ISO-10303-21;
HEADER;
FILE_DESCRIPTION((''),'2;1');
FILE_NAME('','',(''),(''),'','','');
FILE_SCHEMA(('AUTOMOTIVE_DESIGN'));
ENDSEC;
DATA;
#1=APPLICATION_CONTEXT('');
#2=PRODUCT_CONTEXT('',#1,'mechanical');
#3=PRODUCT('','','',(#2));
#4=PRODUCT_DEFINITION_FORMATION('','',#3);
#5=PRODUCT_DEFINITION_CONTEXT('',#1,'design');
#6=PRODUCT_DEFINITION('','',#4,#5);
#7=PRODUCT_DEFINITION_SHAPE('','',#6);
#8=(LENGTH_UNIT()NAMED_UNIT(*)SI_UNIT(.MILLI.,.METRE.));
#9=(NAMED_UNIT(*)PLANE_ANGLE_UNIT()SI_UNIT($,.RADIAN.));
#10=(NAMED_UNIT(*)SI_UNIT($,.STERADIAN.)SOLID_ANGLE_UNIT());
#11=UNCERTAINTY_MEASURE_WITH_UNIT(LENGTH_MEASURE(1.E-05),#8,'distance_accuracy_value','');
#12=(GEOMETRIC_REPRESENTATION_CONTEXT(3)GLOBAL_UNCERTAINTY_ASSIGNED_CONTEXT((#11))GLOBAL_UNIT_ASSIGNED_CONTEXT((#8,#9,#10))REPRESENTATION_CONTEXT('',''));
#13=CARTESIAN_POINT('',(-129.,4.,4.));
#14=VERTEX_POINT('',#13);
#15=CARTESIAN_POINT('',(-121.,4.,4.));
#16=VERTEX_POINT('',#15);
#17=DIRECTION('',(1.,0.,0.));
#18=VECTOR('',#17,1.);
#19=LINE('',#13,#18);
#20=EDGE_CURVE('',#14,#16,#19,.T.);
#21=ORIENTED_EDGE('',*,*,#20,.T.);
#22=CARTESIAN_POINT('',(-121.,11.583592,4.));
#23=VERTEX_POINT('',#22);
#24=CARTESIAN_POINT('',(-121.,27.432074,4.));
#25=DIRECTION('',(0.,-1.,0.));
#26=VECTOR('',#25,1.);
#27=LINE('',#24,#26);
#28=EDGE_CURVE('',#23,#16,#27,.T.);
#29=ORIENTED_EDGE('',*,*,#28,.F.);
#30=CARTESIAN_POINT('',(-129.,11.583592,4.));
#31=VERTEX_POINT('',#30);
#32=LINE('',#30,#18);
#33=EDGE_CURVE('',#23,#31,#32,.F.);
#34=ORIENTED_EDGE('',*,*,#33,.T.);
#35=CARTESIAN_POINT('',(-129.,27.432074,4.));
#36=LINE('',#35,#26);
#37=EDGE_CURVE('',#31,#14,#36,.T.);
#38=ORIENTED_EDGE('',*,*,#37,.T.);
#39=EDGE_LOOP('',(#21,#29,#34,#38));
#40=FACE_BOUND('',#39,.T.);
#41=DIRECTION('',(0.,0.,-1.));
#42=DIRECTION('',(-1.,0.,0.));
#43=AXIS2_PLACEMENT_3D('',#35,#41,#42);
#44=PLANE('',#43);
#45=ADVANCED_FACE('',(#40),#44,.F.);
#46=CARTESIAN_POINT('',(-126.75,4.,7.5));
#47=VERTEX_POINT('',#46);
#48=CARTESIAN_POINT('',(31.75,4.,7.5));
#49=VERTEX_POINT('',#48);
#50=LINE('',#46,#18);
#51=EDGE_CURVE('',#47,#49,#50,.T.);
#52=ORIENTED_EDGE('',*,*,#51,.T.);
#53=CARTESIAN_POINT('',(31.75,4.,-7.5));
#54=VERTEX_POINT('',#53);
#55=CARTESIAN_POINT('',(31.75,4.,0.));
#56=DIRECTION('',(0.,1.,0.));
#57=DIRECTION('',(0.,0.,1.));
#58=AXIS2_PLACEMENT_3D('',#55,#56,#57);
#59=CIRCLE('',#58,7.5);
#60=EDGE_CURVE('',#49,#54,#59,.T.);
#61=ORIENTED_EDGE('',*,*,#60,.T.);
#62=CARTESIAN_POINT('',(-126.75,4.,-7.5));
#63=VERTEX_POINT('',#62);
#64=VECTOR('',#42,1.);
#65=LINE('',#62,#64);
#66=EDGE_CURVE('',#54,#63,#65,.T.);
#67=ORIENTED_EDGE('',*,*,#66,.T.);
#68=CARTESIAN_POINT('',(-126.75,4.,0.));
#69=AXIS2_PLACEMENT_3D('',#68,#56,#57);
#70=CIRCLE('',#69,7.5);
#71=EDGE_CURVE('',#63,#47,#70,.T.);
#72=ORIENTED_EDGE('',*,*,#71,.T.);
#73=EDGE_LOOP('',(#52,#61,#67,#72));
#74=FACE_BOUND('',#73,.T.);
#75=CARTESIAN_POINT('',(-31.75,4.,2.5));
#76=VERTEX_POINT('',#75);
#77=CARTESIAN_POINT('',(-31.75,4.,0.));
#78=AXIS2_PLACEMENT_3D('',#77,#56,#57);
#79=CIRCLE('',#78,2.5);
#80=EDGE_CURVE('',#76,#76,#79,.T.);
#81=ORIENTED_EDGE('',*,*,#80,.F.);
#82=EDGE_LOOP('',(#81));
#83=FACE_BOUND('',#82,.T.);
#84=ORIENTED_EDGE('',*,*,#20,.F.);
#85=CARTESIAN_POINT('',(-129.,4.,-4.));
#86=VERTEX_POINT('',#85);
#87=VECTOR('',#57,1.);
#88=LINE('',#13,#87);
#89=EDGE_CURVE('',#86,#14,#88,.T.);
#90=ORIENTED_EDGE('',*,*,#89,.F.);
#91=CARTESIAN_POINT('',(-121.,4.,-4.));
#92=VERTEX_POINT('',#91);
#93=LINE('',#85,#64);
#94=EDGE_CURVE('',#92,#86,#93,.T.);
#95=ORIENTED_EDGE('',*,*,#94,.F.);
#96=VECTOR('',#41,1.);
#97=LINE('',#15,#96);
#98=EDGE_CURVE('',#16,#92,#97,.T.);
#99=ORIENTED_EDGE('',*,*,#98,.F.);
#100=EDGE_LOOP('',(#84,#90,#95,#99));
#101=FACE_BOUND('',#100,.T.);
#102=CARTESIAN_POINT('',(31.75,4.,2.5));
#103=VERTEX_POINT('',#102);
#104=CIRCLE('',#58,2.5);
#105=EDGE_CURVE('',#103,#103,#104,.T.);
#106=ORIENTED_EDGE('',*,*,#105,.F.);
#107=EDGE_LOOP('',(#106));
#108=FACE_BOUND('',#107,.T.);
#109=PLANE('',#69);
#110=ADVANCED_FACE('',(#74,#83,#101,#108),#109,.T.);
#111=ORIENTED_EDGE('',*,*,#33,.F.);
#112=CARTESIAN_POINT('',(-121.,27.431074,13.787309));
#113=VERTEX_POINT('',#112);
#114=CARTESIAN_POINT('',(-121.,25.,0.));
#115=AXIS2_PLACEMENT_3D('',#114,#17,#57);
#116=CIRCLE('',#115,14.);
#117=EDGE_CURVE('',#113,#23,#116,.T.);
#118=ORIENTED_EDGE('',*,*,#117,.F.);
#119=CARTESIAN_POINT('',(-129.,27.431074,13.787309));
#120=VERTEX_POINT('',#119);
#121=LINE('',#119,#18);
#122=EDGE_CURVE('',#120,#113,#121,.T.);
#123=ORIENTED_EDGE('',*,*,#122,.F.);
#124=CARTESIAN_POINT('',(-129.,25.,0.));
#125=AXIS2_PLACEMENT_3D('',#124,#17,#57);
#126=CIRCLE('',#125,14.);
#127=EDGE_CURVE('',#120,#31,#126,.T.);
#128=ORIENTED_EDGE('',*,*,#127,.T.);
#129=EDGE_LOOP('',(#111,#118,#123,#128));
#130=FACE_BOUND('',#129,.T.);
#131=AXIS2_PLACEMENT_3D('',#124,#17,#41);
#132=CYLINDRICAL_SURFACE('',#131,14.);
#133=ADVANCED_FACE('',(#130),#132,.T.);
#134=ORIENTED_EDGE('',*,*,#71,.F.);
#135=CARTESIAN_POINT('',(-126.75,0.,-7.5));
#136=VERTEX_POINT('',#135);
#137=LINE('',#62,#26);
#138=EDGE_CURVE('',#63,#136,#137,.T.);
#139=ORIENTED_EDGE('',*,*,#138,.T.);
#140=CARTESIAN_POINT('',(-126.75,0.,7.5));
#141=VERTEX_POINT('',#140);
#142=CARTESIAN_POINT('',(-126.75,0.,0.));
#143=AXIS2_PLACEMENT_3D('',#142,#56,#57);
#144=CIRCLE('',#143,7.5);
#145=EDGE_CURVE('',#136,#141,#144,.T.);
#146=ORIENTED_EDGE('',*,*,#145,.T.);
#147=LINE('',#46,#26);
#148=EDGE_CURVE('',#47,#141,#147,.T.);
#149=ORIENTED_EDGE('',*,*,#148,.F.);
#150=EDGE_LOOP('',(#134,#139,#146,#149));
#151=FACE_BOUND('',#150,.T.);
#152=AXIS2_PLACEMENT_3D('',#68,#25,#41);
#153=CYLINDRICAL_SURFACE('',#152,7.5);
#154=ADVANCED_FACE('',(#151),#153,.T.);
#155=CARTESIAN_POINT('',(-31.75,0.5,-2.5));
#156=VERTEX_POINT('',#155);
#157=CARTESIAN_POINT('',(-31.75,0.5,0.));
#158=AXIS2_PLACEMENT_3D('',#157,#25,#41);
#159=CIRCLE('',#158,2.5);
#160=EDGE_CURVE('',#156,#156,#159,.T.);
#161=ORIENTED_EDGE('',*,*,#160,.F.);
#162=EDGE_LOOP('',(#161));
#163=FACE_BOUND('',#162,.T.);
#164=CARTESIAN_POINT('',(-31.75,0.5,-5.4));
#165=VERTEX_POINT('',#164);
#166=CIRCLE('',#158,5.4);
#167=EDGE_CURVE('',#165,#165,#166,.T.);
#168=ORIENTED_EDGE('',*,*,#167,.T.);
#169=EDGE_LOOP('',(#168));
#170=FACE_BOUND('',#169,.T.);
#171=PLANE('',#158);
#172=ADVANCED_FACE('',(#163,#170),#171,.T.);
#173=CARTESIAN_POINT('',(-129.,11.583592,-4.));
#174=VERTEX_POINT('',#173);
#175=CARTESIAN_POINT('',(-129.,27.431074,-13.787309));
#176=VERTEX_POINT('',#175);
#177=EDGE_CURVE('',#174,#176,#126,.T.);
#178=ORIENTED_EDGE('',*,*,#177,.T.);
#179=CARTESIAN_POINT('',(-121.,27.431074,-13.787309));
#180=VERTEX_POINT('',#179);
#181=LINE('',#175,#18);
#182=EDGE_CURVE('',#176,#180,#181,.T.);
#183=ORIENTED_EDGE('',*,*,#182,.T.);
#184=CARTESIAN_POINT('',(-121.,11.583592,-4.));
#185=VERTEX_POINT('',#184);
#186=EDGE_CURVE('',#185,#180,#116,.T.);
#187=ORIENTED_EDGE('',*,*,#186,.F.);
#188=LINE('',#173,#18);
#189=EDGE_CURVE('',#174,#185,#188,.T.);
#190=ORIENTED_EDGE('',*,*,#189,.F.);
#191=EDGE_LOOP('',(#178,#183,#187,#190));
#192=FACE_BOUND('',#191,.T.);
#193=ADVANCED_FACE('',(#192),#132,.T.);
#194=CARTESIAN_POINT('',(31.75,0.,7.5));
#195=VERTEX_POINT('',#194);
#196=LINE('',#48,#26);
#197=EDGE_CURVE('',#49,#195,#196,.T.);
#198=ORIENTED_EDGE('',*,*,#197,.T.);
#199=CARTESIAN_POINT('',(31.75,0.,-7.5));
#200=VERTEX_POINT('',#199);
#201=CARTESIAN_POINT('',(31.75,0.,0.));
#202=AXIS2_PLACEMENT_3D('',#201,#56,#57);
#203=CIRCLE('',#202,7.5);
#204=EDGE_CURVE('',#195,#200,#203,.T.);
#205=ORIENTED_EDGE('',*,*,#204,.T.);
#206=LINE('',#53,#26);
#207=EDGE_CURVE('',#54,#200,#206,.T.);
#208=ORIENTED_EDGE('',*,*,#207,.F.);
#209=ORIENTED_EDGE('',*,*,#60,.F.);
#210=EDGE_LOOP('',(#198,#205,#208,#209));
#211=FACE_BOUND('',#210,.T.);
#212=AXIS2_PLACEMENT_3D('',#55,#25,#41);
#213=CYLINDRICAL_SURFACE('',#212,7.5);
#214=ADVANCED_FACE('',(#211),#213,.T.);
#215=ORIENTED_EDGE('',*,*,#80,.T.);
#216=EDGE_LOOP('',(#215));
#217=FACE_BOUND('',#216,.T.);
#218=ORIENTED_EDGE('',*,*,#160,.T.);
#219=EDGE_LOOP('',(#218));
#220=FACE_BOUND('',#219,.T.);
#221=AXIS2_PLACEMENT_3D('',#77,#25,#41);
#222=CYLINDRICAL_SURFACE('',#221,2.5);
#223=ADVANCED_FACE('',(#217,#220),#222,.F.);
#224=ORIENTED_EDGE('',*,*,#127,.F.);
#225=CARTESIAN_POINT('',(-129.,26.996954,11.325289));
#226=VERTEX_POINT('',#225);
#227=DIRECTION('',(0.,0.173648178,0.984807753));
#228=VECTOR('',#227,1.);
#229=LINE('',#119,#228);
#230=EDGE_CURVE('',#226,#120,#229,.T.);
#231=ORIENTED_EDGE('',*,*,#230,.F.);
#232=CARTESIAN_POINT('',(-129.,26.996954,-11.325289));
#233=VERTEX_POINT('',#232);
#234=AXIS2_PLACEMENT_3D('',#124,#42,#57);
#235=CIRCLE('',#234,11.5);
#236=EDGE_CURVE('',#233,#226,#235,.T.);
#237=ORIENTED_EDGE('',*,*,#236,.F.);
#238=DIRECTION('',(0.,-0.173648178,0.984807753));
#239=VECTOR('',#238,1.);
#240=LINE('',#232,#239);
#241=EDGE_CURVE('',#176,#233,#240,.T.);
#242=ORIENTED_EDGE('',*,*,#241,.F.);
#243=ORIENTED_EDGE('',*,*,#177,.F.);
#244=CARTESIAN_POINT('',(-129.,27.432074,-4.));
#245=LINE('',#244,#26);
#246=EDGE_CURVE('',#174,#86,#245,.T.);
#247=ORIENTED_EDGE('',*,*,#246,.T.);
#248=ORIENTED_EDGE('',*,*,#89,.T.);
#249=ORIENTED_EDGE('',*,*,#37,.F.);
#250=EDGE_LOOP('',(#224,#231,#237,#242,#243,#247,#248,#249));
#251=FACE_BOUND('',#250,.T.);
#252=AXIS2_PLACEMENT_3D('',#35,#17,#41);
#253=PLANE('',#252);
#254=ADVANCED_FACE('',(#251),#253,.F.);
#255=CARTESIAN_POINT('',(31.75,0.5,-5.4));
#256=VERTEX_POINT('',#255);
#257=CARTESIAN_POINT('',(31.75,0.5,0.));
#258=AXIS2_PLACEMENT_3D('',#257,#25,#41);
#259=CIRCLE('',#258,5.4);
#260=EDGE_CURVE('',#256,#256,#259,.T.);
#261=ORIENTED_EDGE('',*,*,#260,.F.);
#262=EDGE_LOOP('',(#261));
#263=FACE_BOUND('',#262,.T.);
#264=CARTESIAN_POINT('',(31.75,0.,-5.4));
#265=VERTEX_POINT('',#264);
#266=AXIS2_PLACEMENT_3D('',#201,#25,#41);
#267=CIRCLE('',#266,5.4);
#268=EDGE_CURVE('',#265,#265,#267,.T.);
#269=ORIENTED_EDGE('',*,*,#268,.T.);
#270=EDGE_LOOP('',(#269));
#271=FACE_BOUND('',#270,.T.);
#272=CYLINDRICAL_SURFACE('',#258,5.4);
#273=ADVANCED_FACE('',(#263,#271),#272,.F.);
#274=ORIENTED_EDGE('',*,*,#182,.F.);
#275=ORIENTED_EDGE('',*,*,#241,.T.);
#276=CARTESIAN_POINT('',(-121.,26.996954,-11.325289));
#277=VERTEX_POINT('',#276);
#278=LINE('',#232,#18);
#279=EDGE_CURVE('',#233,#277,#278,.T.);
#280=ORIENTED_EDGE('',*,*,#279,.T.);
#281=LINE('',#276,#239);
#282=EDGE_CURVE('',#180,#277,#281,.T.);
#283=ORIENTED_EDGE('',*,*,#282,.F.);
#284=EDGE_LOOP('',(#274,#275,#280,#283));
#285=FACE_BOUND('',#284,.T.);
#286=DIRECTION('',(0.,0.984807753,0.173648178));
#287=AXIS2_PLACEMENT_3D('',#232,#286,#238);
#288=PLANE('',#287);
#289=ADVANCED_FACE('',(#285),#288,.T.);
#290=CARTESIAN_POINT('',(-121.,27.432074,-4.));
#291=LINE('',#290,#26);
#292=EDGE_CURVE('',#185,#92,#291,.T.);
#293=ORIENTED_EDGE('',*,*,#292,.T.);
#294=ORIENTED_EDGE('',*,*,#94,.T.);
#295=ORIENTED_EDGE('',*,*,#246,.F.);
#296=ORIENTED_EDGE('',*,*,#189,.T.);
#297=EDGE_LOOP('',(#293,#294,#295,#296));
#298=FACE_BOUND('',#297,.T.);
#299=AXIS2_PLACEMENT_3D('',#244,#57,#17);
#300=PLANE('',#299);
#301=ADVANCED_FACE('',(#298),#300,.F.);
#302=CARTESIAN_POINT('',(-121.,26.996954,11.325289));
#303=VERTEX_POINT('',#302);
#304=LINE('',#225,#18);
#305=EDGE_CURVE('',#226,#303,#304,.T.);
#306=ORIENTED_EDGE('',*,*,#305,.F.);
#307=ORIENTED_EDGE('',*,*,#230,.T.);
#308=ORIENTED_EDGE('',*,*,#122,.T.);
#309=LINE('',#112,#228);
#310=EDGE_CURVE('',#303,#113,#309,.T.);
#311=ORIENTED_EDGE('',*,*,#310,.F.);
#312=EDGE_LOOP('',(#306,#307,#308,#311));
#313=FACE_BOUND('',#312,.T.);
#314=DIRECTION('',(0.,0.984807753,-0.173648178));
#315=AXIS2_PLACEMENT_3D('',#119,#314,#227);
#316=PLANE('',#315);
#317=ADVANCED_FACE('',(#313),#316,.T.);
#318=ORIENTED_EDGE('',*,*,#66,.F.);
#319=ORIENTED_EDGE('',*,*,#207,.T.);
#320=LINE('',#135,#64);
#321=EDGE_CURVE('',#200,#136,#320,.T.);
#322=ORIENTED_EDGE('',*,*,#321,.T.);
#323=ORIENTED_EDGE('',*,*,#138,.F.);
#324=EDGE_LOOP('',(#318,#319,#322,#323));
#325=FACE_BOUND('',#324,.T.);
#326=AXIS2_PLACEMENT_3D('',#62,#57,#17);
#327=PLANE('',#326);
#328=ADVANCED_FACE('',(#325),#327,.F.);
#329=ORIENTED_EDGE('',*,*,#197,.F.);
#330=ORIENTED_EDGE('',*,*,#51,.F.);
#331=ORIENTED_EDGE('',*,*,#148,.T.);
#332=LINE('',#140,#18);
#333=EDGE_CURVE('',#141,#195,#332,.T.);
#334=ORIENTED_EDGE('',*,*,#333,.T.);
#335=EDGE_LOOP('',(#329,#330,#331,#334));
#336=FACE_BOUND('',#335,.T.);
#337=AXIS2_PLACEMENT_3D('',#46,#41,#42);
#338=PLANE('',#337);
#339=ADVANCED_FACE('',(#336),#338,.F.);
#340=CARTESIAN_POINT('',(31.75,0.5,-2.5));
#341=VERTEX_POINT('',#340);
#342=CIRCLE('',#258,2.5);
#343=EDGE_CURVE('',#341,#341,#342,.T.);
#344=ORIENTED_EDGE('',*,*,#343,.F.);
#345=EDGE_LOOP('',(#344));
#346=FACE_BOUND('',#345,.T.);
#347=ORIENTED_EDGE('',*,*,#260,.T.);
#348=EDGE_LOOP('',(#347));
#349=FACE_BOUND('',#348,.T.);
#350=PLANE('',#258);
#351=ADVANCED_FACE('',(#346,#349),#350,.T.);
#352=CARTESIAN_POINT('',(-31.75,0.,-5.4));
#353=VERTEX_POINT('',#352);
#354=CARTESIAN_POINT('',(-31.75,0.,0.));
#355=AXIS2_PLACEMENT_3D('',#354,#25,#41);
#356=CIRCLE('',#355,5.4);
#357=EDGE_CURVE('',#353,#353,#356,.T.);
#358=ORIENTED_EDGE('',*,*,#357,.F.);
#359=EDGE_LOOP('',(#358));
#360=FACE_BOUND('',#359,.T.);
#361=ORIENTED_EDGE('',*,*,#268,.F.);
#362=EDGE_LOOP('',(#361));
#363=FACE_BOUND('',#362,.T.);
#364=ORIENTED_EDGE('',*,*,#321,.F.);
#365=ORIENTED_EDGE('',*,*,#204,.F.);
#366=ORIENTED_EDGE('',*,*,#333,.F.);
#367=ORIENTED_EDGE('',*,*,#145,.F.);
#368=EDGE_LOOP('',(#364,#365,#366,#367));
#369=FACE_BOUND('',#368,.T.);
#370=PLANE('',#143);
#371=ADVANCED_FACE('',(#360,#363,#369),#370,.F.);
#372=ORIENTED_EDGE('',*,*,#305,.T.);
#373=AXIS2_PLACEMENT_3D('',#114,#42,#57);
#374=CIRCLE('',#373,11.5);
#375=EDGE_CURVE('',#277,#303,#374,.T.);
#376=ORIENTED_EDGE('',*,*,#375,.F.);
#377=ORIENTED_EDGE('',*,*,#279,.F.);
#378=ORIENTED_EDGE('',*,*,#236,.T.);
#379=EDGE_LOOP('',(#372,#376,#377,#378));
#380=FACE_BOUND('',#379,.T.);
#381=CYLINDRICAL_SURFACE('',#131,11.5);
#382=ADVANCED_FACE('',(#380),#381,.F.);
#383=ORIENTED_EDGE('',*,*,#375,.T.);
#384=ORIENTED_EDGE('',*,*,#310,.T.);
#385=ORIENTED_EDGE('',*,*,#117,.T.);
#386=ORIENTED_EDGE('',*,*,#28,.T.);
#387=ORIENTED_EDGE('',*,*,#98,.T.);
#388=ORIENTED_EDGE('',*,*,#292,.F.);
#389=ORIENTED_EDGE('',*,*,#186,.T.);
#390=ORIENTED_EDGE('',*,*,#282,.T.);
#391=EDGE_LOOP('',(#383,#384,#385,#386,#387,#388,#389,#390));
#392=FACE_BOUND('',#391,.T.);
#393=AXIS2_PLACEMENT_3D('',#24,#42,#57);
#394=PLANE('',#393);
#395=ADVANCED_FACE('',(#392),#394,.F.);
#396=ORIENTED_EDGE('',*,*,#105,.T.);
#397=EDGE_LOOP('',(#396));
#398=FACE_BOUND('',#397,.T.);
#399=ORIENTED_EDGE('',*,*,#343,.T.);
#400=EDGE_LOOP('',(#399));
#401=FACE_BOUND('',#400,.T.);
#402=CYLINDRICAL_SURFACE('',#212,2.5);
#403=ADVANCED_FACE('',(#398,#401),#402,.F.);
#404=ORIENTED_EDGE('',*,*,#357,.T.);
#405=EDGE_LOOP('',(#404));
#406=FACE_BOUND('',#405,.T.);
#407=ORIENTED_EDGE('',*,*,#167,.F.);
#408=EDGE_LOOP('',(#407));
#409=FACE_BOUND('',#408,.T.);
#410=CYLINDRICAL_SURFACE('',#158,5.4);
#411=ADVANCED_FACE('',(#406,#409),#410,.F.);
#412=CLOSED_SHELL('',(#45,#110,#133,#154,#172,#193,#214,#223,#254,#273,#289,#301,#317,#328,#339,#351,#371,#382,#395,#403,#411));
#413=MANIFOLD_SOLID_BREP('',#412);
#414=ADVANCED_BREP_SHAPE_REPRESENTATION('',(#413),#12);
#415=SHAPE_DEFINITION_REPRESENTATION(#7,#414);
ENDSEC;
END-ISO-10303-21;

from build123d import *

# Parameters (mm, degrees)
SKETCH2_R                = 2.5
BOSS_EXTRUDE1_DEPTH      = 4
BOSS_EXTRUDE2_DEPTH      = 4
BOSS_EXTRUDE2_DEPTH_BACK = 4
BOSS_EXTRUDE3_REACH      = 138.997
BOSS_EXTRUDE3_END_RADIUS = 14
SKETCH4_W                = 8
SKETCH4_H                = 8
SKETCH5_R                = 5.4
CUT_EXTRUDE1_DEPTH       = 0.5


with BuildPart() as part:
    # Sketch2 → Boss-Extrude1 (new body)
    with BuildSketch(Plane(origin=(0, 0, 0), x_dir=(1, 0, 0), z_dir=(0, 1, 0))):
        with BuildLine():
            Line((-126.75, 7.5), (31.75, 7.5))
            ThreePointArc((31.75, 7.5), (39.25, 0), (31.75, -7.5))
            Line((31.75, -7.5), (-126.75, -7.5))
            ThreePointArc((-126.75, -7.5), (-134.25, 0), (-126.75, 7.5))
        make_face()
        with Locations((-31.75, 0)):
            Circle(SKETCH2_R, mode=Mode.SUBTRACT)
        with Locations((31.75, 0)):
            Circle(SKETCH2_R, mode=Mode.SUBTRACT)
    extrude(amount=BOSS_EXTRUDE1_DEPTH)



with BuildPart() as body_2:
    # Sketch3 → Boss-Extrude2 (new, two sides: drawn at the far end of the back side and taken through both)
    with BuildSketch(Plane(origin=(-125, 0, 0), x_dir=(0, 0, -1), z_dir=(1, 0, 0)).offset(-BOSS_EXTRUDE2_DEPTH_BACK)):
        with BuildLine():
            Line((-13.787308542, 27.431074487), (-11.32528916, 26.996954043))
            ThreePointArc((-11.32528916, 26.996954043), (0, 13.5), (11.32528916, 26.996954043))
            Line((11.32528916, 26.996954043), (13.787308542, 27.431074487))
            ThreePointArc((13.787308542, 27.431074487), (0, 11), (-13.787308542, 27.431074487))
        make_face()
    extrude(amount=BOSS_EXTRUDE2_DEPTH + BOSS_EXTRUDE2_DEPTH_BACK)


with BuildPart() as part_1:
    add(part.part)

    add(body_2.part)  # Boss-Extrude3 merges body 2
    # Boss-Extrude3: up to this cylinder (the profile starts outside it)
    boss_extrude3_end = Plane(origin=(-125, 25, 0), z_dir=(1, 0, 0)) * Cylinder(BOSS_EXTRUDE3_END_RADIUS, 306.994, mode=Mode.PRIVATE)
    # Sketch4 → Boss-Extrude3 (add, up to the surface)
    with BuildSketch(Plane(origin=(0, 4, 0), x_dir=(1, 0, 0), z_dir=(0, 1, 0)), mode=Mode.PRIVATE) as boss_extrude3_sk1:
        with Locations((-125, 0)):
            Rectangle(SKETCH4_W, SKETCH4_H)
    boss_extrude3_tool1 = extrude(boss_extrude3_sk1.sketch, amount=BOSS_EXTRUDE3_REACH, mode=Mode.PRIVATE) - boss_extrude3_end
    add(boss_extrude3_tool1.solids().sort_by_distance((-125, 4, 0))[0])

    # Sketch5 → Cut-Extrude1 (cut)
    with BuildSketch(Plane.XZ):
        with Locations((-31.75, 0)):
            Circle(SKETCH5_R)
        with Locations((31.75, 0)):
            Circle(SKETCH5_R)
    extrude(amount=-CUT_EXTRUDE1_DEPTH, mode=Mode.SUBTRACT)


solid = part_1.part
